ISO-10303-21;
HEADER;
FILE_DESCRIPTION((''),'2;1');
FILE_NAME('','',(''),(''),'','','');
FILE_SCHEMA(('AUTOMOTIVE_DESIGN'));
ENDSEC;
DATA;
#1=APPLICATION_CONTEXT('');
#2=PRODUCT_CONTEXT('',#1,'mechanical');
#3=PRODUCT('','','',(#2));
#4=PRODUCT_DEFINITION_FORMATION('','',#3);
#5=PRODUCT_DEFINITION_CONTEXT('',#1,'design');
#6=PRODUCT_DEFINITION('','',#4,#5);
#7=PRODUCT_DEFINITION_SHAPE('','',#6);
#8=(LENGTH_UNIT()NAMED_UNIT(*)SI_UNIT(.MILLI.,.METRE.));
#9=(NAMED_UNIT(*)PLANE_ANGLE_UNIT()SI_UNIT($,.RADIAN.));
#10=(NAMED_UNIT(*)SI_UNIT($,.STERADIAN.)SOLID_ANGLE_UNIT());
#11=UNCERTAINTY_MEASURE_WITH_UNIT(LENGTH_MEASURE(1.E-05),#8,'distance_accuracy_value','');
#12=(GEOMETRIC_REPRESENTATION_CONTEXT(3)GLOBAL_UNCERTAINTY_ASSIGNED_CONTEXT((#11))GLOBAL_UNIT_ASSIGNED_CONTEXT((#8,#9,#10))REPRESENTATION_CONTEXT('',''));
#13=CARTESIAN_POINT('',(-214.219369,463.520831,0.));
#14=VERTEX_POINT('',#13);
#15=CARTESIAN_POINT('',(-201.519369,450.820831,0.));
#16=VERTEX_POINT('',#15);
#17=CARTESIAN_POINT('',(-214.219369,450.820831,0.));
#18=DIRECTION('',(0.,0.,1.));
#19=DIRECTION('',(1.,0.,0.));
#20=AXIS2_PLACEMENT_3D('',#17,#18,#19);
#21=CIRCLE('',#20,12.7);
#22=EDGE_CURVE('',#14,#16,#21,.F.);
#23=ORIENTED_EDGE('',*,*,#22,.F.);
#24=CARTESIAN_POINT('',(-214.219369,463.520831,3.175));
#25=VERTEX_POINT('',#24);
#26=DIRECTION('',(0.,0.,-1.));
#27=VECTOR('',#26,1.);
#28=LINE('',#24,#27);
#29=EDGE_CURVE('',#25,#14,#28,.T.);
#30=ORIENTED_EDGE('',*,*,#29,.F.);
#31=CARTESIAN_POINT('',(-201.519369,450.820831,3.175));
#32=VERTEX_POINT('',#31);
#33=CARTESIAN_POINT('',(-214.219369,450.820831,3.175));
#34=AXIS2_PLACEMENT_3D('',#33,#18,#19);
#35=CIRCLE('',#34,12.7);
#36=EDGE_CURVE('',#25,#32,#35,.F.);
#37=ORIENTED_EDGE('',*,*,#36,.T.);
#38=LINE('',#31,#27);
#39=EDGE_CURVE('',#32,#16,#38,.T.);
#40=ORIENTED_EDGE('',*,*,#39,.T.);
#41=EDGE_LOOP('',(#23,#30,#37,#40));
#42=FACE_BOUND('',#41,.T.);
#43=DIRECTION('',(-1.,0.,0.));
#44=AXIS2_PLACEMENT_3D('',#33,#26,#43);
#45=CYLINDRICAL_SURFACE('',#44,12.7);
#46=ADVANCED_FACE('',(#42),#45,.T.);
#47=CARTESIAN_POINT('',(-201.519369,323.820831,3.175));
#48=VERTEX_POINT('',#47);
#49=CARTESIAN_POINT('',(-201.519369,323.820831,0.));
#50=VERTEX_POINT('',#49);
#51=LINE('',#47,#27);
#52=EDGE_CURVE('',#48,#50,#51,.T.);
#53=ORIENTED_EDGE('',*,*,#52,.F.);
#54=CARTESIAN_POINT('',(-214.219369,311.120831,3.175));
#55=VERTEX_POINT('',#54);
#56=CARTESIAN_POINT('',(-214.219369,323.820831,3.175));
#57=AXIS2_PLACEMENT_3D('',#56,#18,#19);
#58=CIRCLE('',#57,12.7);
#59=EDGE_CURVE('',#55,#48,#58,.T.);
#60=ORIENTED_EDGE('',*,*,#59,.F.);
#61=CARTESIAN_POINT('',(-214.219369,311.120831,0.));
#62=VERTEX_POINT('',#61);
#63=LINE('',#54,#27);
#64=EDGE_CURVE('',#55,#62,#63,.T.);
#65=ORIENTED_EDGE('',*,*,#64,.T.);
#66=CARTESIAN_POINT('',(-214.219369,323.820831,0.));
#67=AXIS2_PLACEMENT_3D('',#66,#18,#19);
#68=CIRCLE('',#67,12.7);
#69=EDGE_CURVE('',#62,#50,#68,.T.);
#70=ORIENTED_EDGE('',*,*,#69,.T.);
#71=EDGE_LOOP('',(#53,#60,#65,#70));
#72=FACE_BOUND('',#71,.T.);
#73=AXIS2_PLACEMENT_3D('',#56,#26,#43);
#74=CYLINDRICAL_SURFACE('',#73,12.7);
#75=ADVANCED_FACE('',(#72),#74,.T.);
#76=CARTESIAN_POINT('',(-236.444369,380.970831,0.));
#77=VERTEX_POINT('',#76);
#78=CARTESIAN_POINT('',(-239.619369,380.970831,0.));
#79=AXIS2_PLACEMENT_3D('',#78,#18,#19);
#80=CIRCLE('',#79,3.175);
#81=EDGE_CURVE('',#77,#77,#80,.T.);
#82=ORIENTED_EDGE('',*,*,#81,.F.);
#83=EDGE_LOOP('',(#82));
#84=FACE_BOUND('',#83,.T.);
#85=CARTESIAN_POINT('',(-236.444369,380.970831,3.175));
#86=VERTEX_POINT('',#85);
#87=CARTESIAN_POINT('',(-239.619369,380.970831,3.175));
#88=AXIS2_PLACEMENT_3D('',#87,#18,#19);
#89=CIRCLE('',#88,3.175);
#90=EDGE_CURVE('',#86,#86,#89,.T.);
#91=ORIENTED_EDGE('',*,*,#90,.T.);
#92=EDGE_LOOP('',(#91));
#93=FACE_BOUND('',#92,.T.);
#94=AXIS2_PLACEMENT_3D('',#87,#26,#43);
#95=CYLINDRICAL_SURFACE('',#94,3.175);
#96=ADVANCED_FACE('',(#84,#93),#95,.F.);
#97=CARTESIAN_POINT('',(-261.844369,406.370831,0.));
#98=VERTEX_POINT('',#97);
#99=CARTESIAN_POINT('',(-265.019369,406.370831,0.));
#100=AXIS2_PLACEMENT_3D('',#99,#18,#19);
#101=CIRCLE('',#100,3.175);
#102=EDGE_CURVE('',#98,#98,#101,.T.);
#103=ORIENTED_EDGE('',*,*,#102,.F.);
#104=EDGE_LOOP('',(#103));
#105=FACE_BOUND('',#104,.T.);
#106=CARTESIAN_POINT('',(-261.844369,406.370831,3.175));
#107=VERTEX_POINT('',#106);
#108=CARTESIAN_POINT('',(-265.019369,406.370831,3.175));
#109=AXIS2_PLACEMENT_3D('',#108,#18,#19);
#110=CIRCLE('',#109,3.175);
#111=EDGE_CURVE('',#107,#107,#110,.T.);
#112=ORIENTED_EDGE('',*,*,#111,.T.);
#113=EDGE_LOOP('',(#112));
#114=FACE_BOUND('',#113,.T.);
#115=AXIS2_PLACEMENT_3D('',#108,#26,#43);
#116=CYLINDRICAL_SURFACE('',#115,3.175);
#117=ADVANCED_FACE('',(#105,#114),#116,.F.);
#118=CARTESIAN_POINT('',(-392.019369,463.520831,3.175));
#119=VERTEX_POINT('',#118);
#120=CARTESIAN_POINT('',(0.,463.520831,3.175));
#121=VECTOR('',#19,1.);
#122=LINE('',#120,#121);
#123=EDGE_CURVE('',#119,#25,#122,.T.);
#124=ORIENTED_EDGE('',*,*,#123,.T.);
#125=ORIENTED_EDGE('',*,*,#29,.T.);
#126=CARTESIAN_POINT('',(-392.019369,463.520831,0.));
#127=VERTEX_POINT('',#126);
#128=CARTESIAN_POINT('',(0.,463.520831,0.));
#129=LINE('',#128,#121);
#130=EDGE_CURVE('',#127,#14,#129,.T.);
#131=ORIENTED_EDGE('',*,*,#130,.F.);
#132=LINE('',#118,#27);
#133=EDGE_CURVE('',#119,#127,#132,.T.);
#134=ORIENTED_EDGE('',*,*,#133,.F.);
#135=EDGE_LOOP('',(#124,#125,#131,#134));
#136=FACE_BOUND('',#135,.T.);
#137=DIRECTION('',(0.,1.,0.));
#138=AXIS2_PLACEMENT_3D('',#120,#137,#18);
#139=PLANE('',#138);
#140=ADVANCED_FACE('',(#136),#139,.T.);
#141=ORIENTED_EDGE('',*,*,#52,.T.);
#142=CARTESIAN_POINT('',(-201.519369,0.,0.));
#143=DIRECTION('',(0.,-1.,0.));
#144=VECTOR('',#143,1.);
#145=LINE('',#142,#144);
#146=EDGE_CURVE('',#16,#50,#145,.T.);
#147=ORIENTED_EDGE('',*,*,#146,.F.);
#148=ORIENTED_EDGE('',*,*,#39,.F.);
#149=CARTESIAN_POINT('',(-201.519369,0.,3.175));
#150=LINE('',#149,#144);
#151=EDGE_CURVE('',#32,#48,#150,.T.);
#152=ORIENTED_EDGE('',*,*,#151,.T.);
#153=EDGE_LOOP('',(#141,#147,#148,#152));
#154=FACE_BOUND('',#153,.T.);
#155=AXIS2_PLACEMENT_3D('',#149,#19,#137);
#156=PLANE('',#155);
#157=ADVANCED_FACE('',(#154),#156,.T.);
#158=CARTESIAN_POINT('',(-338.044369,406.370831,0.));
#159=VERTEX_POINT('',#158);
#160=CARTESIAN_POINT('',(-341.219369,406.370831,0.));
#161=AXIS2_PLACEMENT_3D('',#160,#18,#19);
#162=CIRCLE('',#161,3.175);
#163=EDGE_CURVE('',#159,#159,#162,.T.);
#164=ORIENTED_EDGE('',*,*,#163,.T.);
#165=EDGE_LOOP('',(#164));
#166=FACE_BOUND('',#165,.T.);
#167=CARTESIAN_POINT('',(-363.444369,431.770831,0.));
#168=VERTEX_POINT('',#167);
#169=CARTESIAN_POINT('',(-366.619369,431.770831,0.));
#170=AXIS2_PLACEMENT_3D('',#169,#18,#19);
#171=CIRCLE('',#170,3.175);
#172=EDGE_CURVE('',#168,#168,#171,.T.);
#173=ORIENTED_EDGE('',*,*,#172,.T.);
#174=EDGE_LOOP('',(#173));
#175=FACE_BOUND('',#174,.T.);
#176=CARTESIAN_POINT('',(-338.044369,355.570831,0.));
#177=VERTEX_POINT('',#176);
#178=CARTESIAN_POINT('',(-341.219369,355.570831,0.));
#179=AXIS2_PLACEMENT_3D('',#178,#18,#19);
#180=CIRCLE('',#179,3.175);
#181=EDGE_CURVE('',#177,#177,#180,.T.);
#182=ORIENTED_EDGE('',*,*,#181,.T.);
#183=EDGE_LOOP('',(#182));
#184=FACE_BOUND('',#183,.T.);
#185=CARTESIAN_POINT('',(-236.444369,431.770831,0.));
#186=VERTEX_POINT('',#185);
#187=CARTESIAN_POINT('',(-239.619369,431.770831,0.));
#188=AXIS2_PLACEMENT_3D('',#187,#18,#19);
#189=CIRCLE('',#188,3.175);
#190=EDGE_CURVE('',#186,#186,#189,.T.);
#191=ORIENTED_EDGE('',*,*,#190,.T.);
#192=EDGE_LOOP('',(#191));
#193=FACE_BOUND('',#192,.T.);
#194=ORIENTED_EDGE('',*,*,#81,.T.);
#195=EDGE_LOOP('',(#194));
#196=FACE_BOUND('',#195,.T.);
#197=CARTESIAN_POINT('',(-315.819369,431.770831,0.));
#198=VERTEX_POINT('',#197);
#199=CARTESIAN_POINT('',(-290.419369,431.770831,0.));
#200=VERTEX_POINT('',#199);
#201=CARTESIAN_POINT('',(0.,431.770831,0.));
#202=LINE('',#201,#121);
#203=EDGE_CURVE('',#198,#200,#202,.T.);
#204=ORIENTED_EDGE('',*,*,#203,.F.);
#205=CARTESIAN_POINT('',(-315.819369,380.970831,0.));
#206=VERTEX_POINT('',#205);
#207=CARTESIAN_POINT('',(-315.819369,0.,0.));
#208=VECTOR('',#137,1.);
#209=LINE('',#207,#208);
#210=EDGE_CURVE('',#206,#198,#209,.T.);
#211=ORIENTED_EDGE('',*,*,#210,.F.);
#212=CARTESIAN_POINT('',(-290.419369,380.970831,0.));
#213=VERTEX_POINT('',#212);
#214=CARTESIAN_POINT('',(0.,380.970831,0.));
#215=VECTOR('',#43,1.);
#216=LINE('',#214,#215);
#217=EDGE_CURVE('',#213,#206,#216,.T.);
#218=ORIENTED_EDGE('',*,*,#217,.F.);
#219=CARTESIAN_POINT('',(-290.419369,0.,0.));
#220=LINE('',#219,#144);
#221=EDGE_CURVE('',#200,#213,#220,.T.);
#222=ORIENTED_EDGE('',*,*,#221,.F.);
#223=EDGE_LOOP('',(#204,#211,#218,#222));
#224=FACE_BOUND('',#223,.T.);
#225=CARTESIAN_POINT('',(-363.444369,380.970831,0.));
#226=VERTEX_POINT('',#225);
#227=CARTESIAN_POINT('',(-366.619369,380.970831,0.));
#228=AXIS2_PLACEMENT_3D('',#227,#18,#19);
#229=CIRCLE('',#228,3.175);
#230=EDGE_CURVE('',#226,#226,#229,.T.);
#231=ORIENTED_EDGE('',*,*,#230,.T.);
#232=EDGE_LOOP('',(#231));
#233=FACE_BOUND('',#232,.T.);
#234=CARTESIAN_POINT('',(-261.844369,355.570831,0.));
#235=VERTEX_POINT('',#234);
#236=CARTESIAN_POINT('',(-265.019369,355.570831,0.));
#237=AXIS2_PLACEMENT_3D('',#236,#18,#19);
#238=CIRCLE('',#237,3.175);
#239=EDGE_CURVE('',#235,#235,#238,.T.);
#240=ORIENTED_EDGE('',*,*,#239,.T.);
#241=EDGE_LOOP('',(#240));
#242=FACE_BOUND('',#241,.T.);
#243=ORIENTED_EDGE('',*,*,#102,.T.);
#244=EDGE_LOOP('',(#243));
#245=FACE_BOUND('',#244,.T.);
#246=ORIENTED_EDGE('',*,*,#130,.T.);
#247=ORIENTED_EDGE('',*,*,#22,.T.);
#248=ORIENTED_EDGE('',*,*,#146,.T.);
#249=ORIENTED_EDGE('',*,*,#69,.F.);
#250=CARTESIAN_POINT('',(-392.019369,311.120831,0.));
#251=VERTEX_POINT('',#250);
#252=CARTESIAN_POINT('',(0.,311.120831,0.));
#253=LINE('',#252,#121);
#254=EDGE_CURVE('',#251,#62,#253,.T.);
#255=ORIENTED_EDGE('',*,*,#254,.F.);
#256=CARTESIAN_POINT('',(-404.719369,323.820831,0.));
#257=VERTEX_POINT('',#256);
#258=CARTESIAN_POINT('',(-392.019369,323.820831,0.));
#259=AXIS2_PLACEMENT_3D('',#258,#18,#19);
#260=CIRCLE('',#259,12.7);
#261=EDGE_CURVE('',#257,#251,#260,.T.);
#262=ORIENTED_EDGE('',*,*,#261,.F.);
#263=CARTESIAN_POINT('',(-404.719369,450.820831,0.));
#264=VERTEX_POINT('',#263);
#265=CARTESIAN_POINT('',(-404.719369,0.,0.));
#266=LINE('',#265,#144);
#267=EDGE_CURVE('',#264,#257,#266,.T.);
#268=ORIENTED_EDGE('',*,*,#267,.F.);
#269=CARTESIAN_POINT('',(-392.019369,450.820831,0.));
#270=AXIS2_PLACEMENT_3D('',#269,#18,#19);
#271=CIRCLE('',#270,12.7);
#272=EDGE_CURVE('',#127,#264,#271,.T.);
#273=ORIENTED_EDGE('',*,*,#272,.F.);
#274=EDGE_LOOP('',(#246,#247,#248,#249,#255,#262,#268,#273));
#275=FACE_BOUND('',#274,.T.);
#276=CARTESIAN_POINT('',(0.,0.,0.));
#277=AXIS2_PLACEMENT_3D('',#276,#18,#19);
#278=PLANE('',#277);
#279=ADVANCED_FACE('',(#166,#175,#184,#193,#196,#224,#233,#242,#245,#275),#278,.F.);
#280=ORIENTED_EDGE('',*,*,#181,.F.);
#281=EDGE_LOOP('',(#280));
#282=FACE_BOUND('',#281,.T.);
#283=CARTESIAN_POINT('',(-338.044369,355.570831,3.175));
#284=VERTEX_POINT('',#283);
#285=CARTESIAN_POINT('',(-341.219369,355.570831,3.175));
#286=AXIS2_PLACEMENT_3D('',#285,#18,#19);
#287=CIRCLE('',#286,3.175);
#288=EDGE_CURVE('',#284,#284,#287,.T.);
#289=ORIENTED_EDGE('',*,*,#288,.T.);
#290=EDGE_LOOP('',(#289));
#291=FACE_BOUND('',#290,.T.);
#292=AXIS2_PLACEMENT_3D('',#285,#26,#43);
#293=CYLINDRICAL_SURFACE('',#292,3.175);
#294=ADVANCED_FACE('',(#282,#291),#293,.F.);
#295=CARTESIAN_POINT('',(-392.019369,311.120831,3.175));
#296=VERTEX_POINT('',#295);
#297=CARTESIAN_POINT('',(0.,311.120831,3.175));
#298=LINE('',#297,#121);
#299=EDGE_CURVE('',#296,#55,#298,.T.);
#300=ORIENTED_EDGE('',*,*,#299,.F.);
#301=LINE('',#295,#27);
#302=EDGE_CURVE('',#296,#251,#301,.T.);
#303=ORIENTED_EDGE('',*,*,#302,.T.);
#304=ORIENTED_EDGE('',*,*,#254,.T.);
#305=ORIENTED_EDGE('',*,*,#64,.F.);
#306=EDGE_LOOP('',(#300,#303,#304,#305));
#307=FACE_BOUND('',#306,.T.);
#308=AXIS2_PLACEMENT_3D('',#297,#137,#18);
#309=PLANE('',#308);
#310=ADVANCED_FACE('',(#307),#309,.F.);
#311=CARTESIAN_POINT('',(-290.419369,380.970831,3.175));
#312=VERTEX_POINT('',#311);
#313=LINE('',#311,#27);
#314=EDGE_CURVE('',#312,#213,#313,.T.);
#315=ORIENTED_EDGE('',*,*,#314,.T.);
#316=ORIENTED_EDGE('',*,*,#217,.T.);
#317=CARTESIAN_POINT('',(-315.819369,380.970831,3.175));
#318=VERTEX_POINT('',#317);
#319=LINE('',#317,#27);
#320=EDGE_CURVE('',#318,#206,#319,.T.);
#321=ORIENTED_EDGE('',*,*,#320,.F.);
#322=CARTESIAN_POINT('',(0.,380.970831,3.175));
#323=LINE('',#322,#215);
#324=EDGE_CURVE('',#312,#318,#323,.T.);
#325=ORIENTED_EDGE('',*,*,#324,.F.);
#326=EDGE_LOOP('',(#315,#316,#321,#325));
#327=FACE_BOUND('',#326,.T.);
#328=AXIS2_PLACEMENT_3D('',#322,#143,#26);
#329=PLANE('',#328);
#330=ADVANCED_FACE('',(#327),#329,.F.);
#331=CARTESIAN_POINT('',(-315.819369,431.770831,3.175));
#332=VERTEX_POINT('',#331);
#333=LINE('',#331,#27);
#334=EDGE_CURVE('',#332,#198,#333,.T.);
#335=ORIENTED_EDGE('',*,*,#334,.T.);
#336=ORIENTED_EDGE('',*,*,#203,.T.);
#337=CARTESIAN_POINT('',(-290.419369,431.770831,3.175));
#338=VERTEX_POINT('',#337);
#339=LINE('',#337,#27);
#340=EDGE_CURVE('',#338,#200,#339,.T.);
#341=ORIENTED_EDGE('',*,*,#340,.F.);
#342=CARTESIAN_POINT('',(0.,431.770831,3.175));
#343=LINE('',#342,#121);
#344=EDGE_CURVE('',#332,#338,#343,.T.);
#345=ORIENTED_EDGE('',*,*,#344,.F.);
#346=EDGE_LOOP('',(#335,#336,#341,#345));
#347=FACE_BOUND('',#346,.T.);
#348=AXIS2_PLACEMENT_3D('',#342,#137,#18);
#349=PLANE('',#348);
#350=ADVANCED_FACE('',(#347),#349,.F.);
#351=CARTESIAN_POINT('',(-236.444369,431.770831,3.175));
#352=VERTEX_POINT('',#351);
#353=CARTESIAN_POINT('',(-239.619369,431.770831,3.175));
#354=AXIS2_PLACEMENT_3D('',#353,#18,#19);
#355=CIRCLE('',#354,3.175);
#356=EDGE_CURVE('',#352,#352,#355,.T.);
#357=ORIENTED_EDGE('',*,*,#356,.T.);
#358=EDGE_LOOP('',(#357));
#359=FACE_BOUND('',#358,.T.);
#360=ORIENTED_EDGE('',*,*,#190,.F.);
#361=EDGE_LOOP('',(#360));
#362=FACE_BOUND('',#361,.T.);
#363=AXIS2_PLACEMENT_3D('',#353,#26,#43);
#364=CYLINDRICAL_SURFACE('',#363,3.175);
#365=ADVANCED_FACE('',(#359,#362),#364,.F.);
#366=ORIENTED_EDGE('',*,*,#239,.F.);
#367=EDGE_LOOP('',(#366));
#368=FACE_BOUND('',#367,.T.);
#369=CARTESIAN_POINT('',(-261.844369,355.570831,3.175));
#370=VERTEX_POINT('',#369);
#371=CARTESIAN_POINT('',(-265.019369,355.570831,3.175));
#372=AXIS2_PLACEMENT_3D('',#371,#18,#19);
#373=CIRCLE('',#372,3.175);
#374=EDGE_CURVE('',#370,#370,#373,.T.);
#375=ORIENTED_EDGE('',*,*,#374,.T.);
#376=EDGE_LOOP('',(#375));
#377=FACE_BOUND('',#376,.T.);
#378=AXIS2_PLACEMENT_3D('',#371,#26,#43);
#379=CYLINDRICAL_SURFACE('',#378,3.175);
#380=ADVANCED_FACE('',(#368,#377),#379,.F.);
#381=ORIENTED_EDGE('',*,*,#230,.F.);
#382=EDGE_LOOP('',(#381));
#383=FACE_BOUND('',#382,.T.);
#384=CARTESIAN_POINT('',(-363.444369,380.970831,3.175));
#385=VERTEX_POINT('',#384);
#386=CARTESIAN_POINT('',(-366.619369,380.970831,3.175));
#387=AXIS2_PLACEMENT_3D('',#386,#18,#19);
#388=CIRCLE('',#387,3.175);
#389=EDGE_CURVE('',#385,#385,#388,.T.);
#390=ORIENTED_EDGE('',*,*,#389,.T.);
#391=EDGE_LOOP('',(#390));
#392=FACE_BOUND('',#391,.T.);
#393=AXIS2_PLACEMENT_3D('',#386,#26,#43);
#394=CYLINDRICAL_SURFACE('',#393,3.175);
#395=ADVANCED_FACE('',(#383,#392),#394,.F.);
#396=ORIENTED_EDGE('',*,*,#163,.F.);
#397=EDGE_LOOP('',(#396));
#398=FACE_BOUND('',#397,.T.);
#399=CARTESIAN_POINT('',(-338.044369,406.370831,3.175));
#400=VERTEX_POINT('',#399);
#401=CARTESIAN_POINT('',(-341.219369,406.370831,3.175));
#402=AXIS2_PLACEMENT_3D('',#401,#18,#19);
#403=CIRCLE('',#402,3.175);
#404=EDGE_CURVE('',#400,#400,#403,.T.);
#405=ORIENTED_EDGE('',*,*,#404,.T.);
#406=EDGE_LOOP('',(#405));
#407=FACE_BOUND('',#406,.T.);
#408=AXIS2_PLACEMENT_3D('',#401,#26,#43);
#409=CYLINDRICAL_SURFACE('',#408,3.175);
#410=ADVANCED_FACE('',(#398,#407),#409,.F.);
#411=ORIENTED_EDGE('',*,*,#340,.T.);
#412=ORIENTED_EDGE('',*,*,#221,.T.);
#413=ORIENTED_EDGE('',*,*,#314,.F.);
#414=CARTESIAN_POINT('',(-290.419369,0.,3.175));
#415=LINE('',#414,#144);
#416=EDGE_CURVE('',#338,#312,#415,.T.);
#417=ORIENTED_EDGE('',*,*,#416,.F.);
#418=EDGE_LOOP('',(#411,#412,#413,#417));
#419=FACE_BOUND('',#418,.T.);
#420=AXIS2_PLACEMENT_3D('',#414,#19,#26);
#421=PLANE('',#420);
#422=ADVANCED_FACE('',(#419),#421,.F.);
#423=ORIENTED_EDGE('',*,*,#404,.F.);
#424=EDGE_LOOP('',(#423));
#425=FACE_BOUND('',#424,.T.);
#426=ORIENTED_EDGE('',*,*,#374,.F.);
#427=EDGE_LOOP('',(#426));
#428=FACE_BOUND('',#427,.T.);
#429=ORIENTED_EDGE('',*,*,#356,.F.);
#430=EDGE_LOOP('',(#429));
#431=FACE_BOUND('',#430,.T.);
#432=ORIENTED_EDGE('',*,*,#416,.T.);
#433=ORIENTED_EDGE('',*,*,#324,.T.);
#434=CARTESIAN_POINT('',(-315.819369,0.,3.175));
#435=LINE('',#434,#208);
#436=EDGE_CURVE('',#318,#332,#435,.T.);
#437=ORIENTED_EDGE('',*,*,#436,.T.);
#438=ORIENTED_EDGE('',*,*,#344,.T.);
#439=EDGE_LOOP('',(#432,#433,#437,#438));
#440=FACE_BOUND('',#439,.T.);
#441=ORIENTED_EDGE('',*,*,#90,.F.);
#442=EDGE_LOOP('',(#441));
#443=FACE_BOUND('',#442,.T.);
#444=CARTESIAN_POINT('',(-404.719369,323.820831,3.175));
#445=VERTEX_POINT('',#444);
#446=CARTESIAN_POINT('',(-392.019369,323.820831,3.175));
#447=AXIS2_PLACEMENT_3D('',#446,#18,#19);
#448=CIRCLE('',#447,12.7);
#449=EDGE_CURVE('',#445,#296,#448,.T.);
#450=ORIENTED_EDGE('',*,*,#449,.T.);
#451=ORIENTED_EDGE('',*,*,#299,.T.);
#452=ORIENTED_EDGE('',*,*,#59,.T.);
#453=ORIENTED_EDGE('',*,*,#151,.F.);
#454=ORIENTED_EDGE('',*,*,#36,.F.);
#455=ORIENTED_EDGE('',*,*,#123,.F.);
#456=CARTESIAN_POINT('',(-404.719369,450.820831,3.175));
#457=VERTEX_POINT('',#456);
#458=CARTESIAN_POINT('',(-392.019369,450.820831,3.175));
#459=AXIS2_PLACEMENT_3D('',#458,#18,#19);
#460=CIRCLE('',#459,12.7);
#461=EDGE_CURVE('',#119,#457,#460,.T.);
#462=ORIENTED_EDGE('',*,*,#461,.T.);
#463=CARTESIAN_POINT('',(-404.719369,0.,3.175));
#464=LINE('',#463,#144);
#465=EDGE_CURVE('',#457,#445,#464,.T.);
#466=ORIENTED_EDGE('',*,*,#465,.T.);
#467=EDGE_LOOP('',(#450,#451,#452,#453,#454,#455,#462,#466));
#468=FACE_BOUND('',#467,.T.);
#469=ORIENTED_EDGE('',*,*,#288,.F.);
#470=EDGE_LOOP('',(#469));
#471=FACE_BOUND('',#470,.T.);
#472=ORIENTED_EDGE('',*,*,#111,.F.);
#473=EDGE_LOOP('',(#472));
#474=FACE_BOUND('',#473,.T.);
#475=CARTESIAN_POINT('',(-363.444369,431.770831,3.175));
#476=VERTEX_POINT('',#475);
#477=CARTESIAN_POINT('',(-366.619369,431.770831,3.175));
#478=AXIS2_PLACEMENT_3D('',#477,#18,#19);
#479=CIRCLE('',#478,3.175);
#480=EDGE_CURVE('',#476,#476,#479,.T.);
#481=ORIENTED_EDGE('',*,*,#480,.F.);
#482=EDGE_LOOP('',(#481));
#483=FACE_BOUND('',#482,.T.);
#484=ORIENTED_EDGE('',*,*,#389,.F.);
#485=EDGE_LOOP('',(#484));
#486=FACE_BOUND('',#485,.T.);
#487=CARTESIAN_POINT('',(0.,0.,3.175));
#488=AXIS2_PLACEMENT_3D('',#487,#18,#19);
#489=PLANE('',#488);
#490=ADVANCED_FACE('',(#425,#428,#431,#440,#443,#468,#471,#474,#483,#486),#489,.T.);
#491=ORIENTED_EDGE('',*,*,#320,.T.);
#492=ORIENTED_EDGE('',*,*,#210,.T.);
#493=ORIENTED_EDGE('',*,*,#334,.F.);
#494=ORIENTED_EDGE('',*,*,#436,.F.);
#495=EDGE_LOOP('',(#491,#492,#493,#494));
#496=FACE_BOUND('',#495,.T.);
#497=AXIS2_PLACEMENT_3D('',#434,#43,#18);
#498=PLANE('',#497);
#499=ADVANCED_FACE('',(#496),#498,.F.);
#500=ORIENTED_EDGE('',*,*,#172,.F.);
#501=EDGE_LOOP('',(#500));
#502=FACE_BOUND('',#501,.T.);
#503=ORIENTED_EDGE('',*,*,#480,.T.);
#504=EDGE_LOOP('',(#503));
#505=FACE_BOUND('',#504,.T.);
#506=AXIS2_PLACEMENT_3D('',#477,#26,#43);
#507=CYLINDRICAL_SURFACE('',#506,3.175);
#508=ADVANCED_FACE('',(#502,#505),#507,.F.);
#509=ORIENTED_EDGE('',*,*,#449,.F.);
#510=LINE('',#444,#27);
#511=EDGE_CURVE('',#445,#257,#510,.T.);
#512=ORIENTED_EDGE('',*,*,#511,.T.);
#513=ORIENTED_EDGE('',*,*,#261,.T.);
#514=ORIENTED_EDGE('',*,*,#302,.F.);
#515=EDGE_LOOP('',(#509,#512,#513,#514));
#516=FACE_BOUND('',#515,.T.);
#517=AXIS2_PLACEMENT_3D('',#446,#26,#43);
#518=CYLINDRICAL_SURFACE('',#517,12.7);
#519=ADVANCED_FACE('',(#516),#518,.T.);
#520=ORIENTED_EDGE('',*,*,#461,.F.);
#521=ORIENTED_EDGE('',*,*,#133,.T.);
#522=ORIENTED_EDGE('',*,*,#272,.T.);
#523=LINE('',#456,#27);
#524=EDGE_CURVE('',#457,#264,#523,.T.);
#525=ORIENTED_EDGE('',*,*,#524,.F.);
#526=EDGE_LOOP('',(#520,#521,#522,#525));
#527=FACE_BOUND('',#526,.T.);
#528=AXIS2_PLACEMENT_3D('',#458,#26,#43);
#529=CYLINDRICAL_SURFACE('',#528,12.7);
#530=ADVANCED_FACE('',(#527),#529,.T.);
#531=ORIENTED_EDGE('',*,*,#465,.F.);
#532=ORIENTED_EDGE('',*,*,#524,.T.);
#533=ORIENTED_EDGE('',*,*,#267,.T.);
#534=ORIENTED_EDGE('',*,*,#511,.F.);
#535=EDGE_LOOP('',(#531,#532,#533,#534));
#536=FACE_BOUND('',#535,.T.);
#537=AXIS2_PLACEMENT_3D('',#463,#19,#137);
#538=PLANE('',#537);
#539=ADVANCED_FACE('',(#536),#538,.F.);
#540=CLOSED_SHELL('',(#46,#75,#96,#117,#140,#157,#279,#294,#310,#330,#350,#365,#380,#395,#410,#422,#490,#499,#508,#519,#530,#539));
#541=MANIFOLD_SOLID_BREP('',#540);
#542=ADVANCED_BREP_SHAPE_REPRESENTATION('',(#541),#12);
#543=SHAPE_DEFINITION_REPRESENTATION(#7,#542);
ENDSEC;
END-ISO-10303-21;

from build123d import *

# Parameters (mm, degrees)
SKETCH1_R           = 3.175
SKETCH1_W           = 25.4
SKETCH1_H           = 50.8
BOSS_EXTRUDE1_DEPTH = 3.175


with BuildPart() as part:
    # Sketch1 → Boss-Extrude1 (new body)
    with BuildSketch(Plane.XY):
        with BuildLine():
            Line((-392.019369126, 463.520831078), (-214.219369126, 463.520831078))
            ThreePointArc((-214.219369126, 463.520831078), (-205.239113005, 459.801087199), (-201.519369126, 450.820831078))
            Line((-201.519369126, 450.820831078), (-201.519369126, 323.820831078))
            ThreePointArc((-201.519369126, 323.820831078), (-205.239113005, 314.840574957), (-214.219369126, 311.120831078))
            Line((-214.219369126, 311.120831078), (-392.019369126, 311.120831078))
            ThreePointArc((-392.019369126, 311.120831078), (-400.999625247, 314.840574957), (-404.719369126, 323.820831078))
            Line((-404.719369126, 323.820831078), (-404.719369126, 450.820831078))
            ThreePointArc((-404.719369126, 450.820831078), (-400.999625247, 459.801087199), (-392.019369126, 463.520831078))
        make_face()
        with Locations((-239.619369126, 431.770831078)):
            Circle(SKETCH1_R, mode=Mode.SUBTRACT)
        with Locations((-239.619369126, 380.970831078)):
            Circle(SKETCH1_R, mode=Mode.SUBTRACT)
        with Locations((-265.019369126, 406.370831078)):
            Circle(SKETCH1_R, mode=Mode.SUBTRACT)
        with Locations((-366.619369126, 380.970831078)):
            Circle(SKETCH1_R, mode=Mode.SUBTRACT)
        with Locations((-341.219369126, 406.370831078)):
            Circle(SKETCH1_R, mode=Mode.SUBTRACT)
        with Locations((-366.619369126, 431.770831078)):
            Circle(SKETCH1_R, mode=Mode.SUBTRACT)
        with Locations((-265.019369126, 355.570831078)):
            Circle(SKETCH1_R, mode=Mode.SUBTRACT)
        with Locations((-341.219369126, 355.570831078)):
            Circle(SKETCH1_R, mode=Mode.SUBTRACT)
        with Locations((-303.119369126, 406.370831078)):
            Rectangle(SKETCH1_W, SKETCH1_H, mode=Mode.SUBTRACT)
    extrude(amount=BOSS_EXTRUDE1_DEPTH)


solid = part.part
